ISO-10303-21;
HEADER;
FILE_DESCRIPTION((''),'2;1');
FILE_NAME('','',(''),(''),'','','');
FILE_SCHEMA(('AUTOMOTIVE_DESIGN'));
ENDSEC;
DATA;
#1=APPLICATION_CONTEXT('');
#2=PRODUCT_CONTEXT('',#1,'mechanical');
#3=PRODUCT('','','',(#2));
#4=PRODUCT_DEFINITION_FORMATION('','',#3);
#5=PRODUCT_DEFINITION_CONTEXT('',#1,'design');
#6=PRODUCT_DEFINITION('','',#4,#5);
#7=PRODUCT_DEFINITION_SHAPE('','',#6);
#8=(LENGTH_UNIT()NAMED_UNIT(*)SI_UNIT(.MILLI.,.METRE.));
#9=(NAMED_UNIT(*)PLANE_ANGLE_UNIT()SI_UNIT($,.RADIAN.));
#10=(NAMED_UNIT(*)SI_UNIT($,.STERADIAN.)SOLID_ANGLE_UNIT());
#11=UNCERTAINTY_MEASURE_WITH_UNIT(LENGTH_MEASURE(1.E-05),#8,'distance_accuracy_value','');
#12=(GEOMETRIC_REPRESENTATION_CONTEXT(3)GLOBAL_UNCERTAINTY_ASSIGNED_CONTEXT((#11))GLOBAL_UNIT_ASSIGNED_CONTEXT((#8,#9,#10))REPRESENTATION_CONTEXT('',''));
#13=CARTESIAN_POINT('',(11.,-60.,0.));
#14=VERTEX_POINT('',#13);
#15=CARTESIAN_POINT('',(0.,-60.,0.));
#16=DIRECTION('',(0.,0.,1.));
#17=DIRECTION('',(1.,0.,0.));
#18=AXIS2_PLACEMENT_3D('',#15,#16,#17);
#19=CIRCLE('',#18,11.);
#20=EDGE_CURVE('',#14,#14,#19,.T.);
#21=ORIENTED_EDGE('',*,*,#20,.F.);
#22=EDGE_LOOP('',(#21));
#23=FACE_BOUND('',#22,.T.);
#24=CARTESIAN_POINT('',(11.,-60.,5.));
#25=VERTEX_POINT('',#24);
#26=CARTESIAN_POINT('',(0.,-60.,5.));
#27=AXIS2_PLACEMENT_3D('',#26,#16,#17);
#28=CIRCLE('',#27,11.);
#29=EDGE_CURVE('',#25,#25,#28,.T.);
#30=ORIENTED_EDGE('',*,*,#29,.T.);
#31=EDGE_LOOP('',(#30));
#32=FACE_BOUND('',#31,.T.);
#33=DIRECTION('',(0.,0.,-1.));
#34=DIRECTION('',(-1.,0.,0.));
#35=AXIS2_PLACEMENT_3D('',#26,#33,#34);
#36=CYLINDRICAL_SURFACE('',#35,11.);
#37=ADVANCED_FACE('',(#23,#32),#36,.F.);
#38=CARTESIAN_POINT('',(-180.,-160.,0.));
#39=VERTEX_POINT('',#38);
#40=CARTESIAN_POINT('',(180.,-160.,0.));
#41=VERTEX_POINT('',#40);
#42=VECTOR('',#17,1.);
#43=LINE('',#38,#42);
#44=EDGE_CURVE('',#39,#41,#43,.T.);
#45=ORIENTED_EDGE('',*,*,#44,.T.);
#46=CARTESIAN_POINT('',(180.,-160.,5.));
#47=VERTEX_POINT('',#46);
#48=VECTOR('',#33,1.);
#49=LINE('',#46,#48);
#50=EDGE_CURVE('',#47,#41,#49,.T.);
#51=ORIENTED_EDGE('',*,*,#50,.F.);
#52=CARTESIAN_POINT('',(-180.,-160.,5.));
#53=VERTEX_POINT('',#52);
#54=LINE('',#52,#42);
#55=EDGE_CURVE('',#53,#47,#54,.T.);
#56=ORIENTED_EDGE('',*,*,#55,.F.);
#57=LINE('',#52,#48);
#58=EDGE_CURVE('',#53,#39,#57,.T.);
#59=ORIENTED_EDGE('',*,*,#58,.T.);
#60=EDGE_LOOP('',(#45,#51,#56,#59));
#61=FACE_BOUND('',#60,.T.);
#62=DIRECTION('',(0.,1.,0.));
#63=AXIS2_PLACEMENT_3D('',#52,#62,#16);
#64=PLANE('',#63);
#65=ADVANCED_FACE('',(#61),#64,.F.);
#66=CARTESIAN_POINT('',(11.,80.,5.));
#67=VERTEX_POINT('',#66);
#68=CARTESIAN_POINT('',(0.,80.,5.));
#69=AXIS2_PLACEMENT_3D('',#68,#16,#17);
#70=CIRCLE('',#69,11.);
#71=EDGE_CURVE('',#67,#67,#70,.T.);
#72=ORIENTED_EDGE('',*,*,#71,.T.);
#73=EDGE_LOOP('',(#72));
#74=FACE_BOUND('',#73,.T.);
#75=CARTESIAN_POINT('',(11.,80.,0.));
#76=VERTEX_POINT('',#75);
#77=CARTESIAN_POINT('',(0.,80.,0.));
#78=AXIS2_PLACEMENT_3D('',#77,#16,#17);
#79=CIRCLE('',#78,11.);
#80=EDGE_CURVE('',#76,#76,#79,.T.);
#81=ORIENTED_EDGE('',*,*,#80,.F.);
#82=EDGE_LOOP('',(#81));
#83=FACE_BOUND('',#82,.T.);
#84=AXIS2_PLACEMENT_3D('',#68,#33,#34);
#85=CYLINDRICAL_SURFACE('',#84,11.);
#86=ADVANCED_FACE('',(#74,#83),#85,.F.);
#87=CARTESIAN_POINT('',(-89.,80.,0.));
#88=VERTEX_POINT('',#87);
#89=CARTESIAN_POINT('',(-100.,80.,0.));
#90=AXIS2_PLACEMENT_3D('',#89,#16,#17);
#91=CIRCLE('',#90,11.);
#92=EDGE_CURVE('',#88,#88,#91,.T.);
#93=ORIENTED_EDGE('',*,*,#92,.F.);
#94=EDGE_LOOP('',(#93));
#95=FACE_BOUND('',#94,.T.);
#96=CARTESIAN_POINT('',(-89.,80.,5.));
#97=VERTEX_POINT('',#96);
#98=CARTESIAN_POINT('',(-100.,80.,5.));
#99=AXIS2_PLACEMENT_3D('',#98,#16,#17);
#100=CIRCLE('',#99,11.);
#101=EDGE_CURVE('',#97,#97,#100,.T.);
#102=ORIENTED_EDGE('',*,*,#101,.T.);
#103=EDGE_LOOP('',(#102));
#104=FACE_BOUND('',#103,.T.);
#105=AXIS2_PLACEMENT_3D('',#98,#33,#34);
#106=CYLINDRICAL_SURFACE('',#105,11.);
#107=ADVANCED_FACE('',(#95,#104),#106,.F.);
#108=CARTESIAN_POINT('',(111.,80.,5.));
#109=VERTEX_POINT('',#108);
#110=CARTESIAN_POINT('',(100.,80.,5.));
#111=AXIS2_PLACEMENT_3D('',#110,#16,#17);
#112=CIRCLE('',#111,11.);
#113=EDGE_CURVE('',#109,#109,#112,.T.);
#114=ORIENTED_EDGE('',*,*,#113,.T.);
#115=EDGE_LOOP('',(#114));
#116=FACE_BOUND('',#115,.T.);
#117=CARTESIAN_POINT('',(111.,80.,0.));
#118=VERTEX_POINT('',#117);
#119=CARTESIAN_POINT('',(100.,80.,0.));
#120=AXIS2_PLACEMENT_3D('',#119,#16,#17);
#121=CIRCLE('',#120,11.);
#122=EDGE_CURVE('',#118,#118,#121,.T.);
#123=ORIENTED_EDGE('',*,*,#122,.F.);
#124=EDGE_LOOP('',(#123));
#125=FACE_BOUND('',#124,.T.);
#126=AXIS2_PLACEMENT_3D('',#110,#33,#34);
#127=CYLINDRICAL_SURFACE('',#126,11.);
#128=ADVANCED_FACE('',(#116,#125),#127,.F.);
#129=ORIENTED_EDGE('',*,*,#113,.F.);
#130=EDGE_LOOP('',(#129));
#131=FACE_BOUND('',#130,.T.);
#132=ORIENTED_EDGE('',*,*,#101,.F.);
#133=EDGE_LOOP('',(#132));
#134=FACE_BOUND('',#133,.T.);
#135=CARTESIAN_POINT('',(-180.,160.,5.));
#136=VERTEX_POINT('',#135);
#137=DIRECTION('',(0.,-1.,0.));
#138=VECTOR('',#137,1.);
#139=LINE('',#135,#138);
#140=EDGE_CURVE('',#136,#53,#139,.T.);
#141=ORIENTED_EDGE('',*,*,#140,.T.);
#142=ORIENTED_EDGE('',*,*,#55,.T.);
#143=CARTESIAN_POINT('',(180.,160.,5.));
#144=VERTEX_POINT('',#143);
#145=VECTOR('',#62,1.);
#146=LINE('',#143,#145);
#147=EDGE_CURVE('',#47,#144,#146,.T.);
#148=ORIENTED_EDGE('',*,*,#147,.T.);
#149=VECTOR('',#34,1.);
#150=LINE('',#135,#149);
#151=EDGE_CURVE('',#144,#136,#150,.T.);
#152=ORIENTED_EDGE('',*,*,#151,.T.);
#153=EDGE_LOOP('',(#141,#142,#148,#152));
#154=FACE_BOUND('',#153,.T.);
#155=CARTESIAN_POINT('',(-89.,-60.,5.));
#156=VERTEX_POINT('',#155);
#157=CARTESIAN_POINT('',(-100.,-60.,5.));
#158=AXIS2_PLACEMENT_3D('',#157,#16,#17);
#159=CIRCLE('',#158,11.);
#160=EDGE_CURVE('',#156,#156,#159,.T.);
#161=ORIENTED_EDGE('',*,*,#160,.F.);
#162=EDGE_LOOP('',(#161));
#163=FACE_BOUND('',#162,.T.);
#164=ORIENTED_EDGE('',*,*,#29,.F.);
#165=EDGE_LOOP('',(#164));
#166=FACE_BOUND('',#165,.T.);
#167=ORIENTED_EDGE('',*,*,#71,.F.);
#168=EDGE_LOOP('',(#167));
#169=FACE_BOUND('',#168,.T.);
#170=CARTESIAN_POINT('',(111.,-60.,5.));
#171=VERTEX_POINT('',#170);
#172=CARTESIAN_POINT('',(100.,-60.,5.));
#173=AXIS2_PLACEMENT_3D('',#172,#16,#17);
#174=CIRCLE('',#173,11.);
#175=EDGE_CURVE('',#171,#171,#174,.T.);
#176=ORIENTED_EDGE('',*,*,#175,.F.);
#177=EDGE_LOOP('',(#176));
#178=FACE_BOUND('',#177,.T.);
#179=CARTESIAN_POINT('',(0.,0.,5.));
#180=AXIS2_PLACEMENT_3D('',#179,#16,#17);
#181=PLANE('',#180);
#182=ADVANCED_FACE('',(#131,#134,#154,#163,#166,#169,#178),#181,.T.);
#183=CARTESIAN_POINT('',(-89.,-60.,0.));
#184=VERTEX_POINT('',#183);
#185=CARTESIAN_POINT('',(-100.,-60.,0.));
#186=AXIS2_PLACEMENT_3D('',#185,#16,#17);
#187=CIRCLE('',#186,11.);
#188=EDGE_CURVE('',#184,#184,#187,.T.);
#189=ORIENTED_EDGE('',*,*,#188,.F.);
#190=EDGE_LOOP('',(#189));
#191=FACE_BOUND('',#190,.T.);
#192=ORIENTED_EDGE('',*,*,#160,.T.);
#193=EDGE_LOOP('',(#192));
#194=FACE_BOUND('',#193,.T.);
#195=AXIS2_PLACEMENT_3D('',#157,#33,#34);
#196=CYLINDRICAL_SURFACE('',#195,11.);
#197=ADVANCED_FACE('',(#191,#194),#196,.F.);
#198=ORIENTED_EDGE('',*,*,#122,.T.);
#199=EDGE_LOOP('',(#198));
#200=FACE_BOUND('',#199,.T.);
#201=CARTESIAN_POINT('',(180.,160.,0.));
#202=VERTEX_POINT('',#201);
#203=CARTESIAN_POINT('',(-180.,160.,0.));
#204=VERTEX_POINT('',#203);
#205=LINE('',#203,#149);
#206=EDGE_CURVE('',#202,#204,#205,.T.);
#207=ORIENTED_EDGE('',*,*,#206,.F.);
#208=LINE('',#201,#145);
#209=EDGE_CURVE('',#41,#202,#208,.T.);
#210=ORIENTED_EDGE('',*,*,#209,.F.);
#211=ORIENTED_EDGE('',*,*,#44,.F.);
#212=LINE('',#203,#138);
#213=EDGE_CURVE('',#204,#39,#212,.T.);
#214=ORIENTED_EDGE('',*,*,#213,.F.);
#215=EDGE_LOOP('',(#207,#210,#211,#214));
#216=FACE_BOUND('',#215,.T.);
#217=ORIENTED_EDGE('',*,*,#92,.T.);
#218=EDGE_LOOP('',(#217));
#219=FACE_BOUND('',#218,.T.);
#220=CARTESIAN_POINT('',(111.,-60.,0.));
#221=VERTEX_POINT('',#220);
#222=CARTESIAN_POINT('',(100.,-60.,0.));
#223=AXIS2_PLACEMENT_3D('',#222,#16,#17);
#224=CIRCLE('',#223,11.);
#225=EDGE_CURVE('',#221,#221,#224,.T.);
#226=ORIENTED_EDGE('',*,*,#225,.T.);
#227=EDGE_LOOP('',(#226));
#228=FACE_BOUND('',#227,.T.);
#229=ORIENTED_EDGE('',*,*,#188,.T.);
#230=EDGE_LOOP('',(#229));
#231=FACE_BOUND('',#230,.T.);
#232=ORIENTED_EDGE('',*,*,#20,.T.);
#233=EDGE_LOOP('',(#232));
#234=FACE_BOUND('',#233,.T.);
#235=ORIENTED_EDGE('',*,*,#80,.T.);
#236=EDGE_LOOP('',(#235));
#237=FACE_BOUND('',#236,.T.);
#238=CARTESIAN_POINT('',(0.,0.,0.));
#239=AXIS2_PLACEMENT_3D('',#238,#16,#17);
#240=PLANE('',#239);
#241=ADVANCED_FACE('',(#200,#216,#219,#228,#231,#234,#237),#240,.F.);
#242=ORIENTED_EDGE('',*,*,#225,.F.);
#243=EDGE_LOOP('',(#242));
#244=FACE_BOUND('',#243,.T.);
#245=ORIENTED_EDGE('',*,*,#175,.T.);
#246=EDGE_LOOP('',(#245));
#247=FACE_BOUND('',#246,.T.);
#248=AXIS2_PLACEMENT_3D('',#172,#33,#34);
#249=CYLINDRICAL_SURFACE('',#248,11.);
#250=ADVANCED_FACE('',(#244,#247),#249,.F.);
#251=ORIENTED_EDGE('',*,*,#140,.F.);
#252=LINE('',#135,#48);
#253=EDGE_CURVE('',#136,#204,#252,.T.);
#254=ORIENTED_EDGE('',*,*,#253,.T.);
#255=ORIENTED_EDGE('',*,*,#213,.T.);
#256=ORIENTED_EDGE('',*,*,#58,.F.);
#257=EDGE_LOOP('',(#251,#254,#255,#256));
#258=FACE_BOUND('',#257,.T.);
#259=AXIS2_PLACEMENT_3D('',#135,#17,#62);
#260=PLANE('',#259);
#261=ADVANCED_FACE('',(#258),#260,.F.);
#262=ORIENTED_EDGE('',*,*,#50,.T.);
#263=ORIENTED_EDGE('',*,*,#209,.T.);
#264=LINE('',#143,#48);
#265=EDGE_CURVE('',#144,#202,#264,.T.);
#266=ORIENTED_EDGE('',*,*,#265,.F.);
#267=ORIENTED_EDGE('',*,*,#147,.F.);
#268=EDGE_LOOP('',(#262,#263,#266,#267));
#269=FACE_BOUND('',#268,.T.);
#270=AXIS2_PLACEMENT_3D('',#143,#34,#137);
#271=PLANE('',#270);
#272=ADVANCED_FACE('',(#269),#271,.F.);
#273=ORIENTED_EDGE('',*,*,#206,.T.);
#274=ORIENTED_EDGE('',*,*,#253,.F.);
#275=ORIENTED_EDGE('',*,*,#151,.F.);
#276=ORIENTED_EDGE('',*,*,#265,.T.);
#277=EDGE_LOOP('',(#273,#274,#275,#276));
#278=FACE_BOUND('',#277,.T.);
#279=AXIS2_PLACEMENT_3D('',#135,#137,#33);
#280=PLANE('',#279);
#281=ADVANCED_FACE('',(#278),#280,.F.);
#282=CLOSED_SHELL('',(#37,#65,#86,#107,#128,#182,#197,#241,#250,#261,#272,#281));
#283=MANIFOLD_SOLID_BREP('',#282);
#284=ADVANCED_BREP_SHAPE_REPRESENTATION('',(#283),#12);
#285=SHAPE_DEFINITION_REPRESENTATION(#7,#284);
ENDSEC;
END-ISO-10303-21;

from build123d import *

# Parameters (mm, degrees)
ESBO_O1_W                = 360
ESBO_O1_H                = 320
ESBO_O1_R                = 11
RESSALTO_EXTRUS_O1_DEPTH = 5


with BuildPart() as part:
    # Esboço1 → Ressalto-extrusão1 (new body)
    with BuildSketch(Plane.XY):
        Rectangle(ESBO_O1_W, ESBO_O1_H)
        with Locations((0, 80)):
            Circle(ESBO_O1_R, mode=Mode.SUBTRACT)
        with Locations((-100, 80)):
            Circle(ESBO_O1_R, mode=Mode.SUBTRACT)
        with Locations((100, 80)):
            Circle(ESBO_O1_R, mode=Mode.SUBTRACT)
        with Locations((0, -60)):
            Circle(ESBO_O1_R, mode=Mode.SUBTRACT)
        with Locations((100, -60)):
            Circle(ESBO_O1_R, mode=Mode.SUBTRACT)
        with Locations((-100, -60)):
            Circle(ESBO_O1_R, mode=Mode.SUBTRACT)
    extrude(amount=RESSALTO_EXTRUS_O1_DEPTH)


solid = part.part
